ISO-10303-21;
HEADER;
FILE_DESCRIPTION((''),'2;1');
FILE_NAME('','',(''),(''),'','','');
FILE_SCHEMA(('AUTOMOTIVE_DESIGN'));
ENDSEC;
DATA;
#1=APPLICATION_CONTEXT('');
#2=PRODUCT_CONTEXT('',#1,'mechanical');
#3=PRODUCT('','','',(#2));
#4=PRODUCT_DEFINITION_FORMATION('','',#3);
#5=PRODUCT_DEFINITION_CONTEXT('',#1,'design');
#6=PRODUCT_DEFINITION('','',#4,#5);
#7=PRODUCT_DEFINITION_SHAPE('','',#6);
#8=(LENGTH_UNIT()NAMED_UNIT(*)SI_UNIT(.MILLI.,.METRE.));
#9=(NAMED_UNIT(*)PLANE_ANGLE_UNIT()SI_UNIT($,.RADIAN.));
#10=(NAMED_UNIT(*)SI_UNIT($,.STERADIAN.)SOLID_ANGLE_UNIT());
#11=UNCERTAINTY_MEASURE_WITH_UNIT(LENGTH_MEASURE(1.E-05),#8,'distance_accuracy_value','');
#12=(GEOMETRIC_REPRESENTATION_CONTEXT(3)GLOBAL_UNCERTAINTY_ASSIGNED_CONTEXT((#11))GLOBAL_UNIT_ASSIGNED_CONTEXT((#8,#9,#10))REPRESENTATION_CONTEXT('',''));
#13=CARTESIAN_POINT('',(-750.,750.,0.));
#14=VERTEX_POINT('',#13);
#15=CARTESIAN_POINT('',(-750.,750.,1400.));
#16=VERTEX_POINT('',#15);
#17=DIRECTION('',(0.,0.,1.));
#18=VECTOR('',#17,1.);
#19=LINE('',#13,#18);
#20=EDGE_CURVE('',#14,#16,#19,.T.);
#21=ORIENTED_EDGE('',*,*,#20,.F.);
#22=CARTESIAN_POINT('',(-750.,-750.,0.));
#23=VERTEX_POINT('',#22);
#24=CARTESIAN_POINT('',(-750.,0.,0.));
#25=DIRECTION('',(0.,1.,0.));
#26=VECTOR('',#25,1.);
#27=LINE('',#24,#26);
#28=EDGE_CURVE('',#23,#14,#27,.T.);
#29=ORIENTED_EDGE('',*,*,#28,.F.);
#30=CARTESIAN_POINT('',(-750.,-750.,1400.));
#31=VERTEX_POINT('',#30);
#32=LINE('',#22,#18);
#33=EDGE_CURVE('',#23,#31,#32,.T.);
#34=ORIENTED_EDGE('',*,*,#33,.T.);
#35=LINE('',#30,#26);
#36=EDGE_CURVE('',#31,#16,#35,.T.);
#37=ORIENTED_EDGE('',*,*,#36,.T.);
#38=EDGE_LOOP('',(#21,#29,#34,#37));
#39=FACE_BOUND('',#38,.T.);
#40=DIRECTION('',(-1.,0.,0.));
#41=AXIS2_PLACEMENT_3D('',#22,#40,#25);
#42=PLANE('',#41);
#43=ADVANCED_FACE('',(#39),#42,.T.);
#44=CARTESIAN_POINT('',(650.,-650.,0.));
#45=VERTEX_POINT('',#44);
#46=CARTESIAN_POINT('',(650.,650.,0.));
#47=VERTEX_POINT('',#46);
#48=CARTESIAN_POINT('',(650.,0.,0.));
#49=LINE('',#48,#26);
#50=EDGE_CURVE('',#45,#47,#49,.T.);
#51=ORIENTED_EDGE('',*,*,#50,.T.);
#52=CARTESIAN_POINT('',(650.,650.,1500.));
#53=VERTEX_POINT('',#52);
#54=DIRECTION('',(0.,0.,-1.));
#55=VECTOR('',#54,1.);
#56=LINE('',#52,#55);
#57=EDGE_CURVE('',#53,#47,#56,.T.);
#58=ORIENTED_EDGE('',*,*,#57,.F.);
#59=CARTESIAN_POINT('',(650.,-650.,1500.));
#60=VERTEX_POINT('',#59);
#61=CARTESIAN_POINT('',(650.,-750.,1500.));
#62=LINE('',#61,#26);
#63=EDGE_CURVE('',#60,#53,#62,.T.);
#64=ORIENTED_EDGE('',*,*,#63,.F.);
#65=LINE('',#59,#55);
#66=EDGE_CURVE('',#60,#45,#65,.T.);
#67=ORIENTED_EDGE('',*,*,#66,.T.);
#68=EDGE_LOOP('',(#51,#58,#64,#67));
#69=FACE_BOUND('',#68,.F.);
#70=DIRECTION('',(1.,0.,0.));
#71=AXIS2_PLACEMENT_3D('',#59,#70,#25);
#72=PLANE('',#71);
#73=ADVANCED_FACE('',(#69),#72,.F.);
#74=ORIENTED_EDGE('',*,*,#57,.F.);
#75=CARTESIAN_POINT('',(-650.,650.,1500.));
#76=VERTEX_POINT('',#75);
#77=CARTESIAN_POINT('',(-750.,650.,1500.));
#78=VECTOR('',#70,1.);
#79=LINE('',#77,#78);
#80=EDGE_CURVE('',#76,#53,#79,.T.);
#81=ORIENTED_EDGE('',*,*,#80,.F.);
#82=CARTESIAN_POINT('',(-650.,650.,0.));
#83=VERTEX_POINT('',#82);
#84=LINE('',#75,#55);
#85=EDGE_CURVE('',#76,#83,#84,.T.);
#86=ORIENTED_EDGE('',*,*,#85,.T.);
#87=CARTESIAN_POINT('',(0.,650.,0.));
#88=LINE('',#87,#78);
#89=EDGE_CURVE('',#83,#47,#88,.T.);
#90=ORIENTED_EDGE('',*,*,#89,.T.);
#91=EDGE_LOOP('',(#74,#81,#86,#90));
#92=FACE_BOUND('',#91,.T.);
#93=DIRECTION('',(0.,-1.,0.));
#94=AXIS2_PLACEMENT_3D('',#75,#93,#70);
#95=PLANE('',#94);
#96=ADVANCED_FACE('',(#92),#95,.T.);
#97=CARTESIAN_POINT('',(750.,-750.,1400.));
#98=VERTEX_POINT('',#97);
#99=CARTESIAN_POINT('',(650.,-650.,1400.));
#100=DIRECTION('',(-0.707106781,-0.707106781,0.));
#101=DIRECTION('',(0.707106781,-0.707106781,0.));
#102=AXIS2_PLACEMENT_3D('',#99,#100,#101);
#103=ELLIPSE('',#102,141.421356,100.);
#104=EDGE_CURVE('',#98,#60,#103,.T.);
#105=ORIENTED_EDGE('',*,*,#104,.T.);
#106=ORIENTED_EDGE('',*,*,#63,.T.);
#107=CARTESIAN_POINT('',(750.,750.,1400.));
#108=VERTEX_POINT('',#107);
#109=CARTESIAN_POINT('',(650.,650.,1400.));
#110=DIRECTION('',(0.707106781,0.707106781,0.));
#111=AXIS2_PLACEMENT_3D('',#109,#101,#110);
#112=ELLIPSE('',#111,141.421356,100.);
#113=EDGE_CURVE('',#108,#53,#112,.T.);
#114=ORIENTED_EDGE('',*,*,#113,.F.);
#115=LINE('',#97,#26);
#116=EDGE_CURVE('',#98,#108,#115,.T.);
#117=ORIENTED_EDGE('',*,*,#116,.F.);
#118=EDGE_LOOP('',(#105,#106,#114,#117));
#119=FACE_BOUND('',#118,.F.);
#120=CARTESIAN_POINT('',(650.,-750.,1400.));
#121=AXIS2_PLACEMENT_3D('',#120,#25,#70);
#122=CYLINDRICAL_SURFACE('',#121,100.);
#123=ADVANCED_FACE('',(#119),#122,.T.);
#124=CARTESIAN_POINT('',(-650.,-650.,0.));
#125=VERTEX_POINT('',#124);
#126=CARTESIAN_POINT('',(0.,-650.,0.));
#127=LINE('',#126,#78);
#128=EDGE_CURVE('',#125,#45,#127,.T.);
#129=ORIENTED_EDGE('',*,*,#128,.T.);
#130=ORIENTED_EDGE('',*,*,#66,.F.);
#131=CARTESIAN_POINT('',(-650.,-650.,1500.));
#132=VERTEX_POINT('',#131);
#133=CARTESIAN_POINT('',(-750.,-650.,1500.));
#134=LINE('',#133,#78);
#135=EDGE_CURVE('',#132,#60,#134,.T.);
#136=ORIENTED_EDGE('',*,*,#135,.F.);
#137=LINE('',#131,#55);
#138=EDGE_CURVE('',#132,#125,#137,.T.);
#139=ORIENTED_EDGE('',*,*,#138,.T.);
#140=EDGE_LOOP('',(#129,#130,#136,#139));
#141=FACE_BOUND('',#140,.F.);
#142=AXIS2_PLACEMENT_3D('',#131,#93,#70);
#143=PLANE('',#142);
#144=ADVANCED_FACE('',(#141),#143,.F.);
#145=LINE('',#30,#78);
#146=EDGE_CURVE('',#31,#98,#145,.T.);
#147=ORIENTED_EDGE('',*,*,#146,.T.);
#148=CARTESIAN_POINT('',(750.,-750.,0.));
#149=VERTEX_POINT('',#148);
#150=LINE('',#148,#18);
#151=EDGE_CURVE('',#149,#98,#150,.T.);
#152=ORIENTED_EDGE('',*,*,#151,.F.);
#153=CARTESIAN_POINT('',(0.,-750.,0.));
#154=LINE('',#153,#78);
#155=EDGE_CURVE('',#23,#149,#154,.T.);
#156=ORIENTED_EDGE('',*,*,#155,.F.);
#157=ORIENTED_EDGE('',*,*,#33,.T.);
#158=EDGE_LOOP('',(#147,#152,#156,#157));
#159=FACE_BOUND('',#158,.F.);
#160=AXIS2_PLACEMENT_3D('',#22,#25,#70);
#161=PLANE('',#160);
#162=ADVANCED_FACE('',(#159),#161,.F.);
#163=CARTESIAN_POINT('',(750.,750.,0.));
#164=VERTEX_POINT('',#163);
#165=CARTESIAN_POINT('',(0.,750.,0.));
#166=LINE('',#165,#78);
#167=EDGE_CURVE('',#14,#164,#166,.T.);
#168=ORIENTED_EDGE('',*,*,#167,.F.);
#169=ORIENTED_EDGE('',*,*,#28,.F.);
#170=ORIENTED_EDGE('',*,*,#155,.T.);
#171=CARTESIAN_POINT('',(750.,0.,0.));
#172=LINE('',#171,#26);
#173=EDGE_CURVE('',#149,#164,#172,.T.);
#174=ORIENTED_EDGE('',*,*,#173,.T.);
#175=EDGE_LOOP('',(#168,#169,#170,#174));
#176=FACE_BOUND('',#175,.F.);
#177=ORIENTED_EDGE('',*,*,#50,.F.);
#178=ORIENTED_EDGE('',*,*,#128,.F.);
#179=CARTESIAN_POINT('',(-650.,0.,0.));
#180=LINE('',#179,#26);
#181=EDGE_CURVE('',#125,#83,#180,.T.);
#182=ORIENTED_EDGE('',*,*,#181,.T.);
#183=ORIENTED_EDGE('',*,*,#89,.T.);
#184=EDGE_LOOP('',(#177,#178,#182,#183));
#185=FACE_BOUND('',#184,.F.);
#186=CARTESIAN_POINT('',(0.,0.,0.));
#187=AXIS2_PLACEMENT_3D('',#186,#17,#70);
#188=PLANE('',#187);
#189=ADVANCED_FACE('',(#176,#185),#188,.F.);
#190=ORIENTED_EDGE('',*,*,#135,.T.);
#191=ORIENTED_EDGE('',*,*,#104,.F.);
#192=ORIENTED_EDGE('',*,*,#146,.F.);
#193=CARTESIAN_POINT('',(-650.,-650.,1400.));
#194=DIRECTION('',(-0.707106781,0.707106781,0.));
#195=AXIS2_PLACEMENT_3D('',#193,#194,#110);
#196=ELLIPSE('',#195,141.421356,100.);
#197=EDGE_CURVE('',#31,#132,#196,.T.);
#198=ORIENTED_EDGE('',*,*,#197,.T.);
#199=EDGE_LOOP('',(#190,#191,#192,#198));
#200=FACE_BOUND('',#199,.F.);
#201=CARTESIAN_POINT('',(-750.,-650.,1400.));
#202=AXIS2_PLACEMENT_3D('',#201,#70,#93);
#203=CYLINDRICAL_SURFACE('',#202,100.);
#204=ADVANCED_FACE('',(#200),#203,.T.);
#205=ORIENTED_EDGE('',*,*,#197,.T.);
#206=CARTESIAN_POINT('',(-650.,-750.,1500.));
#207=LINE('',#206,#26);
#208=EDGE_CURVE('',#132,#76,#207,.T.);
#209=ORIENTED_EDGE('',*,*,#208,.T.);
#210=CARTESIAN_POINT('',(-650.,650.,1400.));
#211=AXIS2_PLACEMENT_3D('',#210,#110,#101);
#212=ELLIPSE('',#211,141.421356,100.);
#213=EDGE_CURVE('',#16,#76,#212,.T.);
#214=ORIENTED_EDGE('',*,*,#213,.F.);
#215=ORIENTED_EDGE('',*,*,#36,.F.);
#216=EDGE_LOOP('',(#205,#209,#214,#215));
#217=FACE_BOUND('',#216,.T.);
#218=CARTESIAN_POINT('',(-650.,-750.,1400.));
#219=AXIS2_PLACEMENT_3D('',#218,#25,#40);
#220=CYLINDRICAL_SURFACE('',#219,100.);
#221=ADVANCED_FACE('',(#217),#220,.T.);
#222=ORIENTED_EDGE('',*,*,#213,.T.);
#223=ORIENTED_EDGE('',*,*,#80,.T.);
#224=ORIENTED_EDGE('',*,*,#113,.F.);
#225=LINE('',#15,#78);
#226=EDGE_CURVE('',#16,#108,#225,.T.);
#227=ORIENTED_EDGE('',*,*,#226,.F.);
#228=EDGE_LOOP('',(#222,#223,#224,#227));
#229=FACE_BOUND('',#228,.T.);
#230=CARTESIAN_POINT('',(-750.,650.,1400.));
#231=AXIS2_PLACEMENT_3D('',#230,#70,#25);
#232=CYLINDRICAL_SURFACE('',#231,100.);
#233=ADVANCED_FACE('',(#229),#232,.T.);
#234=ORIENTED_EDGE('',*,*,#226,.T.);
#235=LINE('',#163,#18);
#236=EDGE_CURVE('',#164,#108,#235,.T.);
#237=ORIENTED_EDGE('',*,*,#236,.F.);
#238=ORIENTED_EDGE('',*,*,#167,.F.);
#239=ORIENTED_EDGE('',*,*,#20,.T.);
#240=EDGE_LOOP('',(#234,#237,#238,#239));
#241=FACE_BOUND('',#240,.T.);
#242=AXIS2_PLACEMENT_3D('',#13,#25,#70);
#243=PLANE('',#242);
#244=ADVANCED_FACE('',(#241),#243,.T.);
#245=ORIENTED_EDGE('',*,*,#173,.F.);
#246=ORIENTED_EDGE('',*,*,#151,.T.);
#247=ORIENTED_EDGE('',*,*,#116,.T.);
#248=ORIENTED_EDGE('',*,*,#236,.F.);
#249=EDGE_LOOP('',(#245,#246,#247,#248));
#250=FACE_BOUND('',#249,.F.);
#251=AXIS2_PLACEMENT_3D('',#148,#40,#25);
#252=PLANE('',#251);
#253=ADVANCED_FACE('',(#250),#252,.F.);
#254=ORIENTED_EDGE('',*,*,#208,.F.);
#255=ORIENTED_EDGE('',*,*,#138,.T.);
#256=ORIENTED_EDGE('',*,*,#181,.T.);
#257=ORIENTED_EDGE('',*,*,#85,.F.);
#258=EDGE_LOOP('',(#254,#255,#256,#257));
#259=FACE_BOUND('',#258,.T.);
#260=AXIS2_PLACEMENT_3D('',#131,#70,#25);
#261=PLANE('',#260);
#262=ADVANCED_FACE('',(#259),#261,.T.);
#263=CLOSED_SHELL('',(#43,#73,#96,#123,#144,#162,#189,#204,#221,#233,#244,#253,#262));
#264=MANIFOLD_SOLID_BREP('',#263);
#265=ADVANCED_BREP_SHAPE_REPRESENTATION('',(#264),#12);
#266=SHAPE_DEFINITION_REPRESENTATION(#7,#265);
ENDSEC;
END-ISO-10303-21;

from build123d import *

# Parameters (mm, degrees)
F2_W     = 1500
F2_H     = 1500
F0_DEPTH = 1500
F1_R     = 100
F3_W     = 1300
F3_H     = 1300
F3_W_2   = 284
F3_H_2   = 284
F4_DEPTH = 1500


with BuildPart() as f0:
    # F2 (on Top) → F0 (new body)
    with BuildSketch(Plane.XY):
        Rectangle(F2_W, F2_H)
    extrude(amount=F0_DEPTH)

    # F1
    f1_edges = [f0.edges().sort_by_distance(p)[0] for p in [
        (0, -750, 1500),
        (750, 0, 1500),
        (0, 750, 1500),
        (-750, 0, 1500),
    ]]
    fillet(f1_edges, radius=F1_R)

    # F3 (on face) → F4 (cut)
    with BuildSketch(Plane.XY.offset(1500)):
        Rectangle(F3_W, F3_H)
        Rectangle(F3_W_2, F3_H_2, mode=Mode.SUBTRACT)
        Rectangle(F3_W_2, F3_H_2)
    extrude(amount=-F4_DEPTH, mode=Mode.SUBTRACT)


solid = f0.part
